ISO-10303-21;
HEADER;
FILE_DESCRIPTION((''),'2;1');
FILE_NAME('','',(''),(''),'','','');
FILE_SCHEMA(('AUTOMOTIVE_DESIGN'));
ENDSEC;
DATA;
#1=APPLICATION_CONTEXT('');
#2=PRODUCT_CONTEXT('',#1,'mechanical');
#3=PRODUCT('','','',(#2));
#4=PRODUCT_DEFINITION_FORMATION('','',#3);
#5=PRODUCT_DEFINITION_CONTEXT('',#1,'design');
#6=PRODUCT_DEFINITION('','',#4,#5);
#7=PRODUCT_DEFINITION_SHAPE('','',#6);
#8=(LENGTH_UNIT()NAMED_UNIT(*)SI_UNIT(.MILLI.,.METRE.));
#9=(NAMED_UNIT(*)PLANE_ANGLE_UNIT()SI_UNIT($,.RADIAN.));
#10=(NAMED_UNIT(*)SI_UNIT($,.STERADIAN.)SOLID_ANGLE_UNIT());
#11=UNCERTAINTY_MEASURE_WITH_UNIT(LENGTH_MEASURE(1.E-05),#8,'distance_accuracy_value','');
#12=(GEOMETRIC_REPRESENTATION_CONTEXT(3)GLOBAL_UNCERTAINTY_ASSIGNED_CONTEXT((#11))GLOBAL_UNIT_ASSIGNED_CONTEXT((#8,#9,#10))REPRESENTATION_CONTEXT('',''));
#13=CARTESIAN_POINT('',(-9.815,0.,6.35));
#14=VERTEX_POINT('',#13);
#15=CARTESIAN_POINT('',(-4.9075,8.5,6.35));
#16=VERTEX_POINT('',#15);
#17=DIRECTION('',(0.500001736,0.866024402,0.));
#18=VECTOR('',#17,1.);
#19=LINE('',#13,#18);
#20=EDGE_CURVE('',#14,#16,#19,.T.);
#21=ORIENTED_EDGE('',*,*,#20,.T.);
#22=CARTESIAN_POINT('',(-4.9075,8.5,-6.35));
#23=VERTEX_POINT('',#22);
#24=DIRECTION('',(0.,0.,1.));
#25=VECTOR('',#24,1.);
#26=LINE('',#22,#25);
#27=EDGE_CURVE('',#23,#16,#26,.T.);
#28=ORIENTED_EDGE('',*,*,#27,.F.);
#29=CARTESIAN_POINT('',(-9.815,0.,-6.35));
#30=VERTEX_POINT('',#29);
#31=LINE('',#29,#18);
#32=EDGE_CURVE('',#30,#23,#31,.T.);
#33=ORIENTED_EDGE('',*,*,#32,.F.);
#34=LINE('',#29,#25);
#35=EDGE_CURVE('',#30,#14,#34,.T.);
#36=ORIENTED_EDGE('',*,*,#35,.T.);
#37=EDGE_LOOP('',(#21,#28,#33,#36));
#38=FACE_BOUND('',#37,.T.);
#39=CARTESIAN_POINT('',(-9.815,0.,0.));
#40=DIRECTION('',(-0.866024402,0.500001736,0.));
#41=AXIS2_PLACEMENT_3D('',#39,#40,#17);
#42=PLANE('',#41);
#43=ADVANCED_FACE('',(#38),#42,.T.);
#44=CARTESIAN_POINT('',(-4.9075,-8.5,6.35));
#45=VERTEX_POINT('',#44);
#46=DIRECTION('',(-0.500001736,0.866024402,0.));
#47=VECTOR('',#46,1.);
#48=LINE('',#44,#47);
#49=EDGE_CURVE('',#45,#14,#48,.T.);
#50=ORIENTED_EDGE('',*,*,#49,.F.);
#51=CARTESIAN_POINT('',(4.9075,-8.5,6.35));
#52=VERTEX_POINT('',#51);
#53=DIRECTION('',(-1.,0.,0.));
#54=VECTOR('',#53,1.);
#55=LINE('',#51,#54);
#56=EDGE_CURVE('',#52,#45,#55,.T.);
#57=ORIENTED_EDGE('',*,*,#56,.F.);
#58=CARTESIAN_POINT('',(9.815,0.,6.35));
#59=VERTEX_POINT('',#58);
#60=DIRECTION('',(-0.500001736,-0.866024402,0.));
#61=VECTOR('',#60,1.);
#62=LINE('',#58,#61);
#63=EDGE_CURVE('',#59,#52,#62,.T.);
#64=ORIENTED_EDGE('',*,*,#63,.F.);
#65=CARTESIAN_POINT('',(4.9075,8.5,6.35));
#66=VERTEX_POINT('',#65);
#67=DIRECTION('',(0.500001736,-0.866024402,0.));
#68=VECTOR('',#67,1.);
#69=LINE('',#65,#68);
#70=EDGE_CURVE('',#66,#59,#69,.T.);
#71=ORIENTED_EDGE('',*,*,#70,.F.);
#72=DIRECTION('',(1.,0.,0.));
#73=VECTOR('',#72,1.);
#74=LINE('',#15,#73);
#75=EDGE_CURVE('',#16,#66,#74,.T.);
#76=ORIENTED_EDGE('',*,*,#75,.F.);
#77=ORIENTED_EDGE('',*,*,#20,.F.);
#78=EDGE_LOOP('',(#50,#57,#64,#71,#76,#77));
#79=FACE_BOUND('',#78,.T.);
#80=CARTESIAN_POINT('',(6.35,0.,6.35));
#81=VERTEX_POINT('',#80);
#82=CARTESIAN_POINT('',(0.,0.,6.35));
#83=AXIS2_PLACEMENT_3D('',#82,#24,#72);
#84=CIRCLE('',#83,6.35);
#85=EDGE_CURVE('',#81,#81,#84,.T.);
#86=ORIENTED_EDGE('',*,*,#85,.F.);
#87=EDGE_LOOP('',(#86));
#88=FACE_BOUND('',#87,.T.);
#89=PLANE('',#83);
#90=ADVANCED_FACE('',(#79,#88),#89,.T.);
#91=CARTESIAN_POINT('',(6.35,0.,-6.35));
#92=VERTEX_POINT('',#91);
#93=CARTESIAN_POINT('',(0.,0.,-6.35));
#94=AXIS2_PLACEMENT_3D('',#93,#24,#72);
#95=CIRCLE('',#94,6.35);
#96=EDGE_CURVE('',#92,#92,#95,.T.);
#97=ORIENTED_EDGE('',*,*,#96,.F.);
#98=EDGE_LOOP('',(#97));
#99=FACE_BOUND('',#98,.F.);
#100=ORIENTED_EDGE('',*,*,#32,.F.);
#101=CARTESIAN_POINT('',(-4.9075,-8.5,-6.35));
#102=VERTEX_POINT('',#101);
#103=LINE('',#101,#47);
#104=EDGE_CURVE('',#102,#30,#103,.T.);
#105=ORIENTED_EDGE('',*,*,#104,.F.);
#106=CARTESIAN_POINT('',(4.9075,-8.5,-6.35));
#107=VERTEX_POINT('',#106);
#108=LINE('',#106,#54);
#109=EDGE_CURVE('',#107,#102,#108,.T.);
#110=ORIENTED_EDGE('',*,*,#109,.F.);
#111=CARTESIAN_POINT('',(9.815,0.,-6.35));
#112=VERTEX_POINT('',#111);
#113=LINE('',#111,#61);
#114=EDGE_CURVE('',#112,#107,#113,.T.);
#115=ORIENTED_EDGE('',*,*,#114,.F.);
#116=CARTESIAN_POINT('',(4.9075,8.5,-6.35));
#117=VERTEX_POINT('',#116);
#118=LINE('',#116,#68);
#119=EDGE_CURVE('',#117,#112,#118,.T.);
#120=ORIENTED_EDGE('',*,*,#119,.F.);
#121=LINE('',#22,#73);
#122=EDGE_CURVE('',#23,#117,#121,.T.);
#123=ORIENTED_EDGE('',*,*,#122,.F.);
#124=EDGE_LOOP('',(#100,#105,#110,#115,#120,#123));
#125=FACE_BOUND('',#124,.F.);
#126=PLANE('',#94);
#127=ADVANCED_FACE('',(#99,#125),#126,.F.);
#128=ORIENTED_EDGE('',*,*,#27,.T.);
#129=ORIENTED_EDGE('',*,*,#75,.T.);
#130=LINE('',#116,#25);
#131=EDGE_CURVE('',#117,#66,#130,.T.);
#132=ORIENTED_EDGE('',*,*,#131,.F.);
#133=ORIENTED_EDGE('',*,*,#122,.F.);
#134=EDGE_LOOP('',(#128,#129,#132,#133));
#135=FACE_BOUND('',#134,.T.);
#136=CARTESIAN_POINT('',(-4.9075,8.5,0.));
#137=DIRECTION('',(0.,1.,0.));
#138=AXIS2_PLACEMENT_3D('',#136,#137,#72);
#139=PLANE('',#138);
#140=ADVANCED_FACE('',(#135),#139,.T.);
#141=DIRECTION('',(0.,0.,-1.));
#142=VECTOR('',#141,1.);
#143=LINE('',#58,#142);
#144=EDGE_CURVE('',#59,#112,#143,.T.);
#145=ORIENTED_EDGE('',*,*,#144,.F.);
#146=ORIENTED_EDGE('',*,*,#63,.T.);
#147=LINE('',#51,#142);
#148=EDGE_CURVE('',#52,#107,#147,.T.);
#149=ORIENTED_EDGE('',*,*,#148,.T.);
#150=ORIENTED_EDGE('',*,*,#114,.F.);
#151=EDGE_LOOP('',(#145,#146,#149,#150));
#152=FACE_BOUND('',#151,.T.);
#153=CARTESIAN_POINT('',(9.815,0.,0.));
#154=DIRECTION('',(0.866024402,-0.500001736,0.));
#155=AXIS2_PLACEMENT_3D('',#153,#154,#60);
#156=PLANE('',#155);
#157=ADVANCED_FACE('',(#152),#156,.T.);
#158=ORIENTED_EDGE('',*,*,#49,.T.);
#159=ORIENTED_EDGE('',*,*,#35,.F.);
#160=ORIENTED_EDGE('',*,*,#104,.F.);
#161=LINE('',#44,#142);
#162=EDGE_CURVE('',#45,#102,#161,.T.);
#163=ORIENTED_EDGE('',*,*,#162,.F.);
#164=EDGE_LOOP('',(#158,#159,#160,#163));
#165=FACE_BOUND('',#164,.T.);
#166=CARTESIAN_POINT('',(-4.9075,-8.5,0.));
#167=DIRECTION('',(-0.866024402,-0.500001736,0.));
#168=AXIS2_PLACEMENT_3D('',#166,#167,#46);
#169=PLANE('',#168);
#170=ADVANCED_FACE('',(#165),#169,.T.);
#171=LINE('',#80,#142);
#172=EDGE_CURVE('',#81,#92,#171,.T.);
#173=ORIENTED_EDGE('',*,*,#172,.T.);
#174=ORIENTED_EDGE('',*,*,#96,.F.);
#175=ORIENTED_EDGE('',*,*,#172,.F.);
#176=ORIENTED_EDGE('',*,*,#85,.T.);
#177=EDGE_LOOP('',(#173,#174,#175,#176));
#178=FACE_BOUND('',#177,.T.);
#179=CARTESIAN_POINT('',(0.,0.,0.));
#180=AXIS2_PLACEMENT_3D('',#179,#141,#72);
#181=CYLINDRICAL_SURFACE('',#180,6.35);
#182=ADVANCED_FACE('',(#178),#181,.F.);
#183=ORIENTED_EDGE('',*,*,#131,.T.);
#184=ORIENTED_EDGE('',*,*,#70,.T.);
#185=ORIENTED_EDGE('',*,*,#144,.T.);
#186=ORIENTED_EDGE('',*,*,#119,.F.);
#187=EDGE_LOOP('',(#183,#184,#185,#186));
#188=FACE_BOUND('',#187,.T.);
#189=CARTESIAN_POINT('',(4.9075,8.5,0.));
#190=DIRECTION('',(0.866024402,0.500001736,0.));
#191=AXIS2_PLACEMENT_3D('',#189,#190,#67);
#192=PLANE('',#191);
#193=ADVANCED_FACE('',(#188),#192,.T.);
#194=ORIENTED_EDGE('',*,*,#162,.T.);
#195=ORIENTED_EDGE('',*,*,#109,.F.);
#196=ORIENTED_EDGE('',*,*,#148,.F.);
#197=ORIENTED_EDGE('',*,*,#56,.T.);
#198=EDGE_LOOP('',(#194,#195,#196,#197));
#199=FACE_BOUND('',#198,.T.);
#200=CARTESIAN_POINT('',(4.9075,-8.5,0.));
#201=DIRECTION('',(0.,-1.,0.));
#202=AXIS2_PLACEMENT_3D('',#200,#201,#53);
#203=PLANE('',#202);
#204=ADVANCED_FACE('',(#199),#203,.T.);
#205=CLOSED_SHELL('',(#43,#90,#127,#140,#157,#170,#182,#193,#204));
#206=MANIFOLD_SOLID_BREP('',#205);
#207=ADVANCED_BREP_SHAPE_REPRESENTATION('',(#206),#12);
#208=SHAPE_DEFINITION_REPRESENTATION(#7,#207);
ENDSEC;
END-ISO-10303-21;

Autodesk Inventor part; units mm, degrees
ref_plane "YZ Plane" through (0, 0, 0) normal (1, 0, 0) x (0, 1, 0)
ref_plane "XZ Plane" through (0, 0, 0) normal (0, 1, 0) x (-1, 0, 0)
ref_plane "XY Plane" through (0, 0, 0) normal (0, 0, 1) x (1, 0, 0)
sketch "Sketch1" plane through (0, 0, 0) normal (0, 0, 1) x (1, 0, 0)
  line L0 (4.9075, 8.5) -> (9.815, 0)
  line L1 (9.815, 0) -> (4.9075, -8.5)
  line L2 (4.9075, -8.5) -> (-4.9075, -8.5)
  line L3 (-4.9075, -8.5) -> (-9.815, 0)
  line L4 (-9.815, 0) -> (-4.9075, 8.5)
  line L5 (-4.9075, 8.5) -> (4.9075, 8.5)
  circle A0 centre (0, 0) radius 6.35
  dimension "d0" = 17
  dimension "d1" = 12.7
extrude "Extrusion1" add sketch "Sketch1" along normal mid plane 12.7
equation "\"d0\" = hexOutput"
equation "\"d1\" = shaftSize"
equation "\"d2\" = length"
equation "\"hexOutput\" = 17"
equation "\"shaftSize\" = 12.7"
equation "\"length\" = 12.7"
properties part number "17mmTo0.5inchBearing"
